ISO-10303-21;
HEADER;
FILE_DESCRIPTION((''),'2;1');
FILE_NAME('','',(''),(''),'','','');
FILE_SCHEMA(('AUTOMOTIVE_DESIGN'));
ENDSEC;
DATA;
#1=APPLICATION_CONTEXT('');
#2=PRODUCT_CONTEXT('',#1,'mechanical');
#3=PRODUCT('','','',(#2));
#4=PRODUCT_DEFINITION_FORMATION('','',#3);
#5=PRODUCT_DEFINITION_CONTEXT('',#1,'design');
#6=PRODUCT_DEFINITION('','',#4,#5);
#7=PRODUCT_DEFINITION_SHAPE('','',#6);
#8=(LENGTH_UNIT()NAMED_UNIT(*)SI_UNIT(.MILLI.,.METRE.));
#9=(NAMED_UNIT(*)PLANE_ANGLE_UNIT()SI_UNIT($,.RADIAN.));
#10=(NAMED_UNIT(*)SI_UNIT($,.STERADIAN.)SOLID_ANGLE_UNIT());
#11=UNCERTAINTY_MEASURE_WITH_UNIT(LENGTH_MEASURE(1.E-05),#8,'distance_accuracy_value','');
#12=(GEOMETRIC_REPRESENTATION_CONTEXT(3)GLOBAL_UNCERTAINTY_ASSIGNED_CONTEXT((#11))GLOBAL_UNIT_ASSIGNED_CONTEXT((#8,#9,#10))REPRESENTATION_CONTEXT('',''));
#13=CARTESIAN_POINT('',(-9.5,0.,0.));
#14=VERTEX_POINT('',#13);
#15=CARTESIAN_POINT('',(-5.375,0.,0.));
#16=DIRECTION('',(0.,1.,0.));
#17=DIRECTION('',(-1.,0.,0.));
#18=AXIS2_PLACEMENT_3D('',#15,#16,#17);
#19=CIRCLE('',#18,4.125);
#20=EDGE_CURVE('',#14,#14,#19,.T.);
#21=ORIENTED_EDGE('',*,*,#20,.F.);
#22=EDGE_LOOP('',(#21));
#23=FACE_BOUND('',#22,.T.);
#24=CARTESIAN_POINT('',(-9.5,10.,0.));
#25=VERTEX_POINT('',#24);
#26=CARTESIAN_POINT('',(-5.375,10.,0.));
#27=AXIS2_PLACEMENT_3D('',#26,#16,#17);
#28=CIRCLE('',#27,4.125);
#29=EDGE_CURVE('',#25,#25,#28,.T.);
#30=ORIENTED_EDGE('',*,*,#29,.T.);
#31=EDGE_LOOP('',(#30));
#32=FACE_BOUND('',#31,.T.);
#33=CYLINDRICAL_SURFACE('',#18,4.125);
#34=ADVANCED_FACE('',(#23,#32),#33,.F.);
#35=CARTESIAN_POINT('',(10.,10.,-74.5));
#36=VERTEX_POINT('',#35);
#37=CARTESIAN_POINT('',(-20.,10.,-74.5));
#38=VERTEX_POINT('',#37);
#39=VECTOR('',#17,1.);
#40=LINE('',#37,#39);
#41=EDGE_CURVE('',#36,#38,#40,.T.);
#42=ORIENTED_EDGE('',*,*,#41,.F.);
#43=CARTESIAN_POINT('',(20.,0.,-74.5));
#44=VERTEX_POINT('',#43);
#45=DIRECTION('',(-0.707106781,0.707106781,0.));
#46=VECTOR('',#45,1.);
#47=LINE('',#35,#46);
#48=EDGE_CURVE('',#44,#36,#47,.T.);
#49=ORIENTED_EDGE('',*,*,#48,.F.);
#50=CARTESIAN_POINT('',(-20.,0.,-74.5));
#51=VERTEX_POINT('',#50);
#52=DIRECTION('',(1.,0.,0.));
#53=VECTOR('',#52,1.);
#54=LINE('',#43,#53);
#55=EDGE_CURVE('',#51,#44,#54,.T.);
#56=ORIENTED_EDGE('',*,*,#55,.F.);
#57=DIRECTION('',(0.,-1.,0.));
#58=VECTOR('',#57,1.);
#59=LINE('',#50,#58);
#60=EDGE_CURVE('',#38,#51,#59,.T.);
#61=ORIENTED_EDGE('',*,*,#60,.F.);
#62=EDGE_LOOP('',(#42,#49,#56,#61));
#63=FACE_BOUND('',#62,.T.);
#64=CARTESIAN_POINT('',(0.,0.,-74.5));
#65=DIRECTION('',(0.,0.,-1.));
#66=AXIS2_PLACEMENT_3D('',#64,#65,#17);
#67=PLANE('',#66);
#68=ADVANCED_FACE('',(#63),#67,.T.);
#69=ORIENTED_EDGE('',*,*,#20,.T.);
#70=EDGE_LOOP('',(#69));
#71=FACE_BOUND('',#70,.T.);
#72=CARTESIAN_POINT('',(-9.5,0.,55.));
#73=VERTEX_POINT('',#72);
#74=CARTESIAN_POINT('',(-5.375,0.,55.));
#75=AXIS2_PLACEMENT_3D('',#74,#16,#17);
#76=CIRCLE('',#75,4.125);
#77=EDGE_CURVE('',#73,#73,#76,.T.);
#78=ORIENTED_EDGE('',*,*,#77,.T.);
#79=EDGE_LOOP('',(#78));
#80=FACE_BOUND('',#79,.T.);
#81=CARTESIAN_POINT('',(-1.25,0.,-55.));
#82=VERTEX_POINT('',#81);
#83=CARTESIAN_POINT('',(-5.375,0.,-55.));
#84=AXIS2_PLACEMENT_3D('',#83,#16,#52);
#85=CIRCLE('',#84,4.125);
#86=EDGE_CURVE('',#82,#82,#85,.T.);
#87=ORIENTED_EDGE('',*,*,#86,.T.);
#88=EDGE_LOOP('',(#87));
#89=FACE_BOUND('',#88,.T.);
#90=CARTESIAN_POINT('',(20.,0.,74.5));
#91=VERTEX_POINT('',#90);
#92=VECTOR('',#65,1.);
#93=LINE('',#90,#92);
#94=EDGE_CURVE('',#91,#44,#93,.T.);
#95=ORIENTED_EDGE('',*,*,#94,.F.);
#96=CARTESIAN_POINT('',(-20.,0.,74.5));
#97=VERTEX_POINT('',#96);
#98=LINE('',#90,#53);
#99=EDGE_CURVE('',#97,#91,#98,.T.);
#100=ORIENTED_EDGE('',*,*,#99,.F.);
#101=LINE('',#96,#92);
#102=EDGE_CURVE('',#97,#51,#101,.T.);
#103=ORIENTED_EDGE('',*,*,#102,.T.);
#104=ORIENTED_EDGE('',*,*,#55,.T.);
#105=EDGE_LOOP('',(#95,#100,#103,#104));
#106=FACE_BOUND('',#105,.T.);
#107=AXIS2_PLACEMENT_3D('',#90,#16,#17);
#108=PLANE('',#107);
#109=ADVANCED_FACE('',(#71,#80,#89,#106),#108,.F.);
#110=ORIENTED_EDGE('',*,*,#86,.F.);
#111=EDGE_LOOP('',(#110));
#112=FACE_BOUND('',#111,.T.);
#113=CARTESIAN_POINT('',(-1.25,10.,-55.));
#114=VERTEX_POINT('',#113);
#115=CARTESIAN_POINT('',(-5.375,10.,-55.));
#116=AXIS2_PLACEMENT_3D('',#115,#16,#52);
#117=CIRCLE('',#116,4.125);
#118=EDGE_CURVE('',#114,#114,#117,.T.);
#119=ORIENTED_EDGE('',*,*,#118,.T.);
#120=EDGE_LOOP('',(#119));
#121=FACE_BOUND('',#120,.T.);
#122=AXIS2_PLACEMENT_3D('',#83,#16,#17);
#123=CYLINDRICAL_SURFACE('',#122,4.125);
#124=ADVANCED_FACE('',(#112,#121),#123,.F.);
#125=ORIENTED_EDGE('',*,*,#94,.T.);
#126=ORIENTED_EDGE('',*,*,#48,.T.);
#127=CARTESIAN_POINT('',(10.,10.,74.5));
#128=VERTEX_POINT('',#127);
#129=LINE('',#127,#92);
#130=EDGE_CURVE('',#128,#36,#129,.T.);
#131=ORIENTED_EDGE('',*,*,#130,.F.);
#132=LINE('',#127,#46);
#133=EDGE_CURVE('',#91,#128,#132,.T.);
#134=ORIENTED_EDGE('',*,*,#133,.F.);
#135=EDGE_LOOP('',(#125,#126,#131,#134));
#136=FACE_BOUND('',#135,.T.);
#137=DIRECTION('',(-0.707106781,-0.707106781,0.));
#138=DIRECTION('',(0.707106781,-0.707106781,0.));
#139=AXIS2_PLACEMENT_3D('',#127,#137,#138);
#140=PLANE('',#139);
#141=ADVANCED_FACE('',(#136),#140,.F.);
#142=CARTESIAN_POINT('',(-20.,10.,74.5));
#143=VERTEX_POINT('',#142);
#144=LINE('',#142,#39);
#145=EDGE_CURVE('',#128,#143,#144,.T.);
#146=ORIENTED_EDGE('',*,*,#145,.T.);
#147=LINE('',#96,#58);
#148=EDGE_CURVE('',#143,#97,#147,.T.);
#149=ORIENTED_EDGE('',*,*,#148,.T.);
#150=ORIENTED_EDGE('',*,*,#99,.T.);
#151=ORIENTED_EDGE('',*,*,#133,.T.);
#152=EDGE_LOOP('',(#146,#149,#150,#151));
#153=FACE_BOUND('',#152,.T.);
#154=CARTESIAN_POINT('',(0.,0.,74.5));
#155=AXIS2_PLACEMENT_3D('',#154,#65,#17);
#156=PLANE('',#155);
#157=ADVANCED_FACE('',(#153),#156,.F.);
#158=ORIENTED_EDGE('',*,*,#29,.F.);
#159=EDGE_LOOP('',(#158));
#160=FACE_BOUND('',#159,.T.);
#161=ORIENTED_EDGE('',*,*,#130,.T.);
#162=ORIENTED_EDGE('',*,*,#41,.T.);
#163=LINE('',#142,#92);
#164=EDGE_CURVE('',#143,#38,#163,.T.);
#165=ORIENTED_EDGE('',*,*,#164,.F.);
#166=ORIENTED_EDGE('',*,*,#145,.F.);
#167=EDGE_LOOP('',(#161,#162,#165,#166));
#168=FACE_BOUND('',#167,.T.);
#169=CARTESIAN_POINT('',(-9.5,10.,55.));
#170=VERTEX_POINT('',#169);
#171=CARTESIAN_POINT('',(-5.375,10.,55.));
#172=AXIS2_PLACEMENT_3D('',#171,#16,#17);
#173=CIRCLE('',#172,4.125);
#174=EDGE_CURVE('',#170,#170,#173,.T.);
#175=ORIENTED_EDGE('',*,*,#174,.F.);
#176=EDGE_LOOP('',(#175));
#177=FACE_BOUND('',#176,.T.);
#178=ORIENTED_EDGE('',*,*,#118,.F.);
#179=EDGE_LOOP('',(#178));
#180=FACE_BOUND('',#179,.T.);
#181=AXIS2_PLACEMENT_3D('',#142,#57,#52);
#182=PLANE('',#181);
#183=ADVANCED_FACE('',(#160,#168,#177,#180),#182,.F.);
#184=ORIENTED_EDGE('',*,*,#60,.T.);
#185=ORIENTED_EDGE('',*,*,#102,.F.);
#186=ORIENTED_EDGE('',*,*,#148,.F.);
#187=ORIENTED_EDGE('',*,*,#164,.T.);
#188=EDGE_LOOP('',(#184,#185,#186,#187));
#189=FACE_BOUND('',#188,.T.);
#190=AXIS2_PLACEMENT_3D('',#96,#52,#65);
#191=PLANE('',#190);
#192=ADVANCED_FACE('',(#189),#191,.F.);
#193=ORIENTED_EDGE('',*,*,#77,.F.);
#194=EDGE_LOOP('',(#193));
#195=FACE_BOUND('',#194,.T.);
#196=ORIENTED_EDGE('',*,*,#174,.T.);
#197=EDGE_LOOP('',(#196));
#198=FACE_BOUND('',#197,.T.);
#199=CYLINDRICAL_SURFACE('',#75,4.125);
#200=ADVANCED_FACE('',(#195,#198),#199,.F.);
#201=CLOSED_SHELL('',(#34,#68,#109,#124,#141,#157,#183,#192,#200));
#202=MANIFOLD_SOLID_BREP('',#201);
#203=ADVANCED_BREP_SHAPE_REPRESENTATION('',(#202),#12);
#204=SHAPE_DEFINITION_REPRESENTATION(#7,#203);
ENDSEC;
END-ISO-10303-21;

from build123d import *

# Parameters (mm, degrees)
BOSS_EXTRUDE1_DEPTH = 74.5
SKETCH2_R           = 4.125
CUT_EXTRUDE1_DEPTH  = 78.783352975


with BuildPart() as part:
    # Sketch1 → Boss-Extrude1 (new, symmetric)
    with BuildSketch(Plane.XY):
        Polygon((-20, 10), (10, 10), (20, 0), (-20, 0), align=None)
    extrude(amount=BOSS_EXTRUDE1_DEPTH, both=True)

    # Sketch2 → Cut-Extrude1 (cut, through all)
    with BuildSketch(Plane(origin=(0, 10, 0), x_dir=(1, 0, 0), z_dir=(0, 1, 0))):
        with Locations(Location((-5.375, 0, 0), (0, 0, 180))):
            Circle(SKETCH2_R)
        with Locations(Location((-5.375, -55, 0), (0, 0, 180))):
            Circle(SKETCH2_R)
        with Locations((-5.375, 55)):
            Circle(SKETCH2_R)
    extrude(amount=-CUT_EXTRUDE1_DEPTH, mode=Mode.SUBTRACT)


solid = part.part
